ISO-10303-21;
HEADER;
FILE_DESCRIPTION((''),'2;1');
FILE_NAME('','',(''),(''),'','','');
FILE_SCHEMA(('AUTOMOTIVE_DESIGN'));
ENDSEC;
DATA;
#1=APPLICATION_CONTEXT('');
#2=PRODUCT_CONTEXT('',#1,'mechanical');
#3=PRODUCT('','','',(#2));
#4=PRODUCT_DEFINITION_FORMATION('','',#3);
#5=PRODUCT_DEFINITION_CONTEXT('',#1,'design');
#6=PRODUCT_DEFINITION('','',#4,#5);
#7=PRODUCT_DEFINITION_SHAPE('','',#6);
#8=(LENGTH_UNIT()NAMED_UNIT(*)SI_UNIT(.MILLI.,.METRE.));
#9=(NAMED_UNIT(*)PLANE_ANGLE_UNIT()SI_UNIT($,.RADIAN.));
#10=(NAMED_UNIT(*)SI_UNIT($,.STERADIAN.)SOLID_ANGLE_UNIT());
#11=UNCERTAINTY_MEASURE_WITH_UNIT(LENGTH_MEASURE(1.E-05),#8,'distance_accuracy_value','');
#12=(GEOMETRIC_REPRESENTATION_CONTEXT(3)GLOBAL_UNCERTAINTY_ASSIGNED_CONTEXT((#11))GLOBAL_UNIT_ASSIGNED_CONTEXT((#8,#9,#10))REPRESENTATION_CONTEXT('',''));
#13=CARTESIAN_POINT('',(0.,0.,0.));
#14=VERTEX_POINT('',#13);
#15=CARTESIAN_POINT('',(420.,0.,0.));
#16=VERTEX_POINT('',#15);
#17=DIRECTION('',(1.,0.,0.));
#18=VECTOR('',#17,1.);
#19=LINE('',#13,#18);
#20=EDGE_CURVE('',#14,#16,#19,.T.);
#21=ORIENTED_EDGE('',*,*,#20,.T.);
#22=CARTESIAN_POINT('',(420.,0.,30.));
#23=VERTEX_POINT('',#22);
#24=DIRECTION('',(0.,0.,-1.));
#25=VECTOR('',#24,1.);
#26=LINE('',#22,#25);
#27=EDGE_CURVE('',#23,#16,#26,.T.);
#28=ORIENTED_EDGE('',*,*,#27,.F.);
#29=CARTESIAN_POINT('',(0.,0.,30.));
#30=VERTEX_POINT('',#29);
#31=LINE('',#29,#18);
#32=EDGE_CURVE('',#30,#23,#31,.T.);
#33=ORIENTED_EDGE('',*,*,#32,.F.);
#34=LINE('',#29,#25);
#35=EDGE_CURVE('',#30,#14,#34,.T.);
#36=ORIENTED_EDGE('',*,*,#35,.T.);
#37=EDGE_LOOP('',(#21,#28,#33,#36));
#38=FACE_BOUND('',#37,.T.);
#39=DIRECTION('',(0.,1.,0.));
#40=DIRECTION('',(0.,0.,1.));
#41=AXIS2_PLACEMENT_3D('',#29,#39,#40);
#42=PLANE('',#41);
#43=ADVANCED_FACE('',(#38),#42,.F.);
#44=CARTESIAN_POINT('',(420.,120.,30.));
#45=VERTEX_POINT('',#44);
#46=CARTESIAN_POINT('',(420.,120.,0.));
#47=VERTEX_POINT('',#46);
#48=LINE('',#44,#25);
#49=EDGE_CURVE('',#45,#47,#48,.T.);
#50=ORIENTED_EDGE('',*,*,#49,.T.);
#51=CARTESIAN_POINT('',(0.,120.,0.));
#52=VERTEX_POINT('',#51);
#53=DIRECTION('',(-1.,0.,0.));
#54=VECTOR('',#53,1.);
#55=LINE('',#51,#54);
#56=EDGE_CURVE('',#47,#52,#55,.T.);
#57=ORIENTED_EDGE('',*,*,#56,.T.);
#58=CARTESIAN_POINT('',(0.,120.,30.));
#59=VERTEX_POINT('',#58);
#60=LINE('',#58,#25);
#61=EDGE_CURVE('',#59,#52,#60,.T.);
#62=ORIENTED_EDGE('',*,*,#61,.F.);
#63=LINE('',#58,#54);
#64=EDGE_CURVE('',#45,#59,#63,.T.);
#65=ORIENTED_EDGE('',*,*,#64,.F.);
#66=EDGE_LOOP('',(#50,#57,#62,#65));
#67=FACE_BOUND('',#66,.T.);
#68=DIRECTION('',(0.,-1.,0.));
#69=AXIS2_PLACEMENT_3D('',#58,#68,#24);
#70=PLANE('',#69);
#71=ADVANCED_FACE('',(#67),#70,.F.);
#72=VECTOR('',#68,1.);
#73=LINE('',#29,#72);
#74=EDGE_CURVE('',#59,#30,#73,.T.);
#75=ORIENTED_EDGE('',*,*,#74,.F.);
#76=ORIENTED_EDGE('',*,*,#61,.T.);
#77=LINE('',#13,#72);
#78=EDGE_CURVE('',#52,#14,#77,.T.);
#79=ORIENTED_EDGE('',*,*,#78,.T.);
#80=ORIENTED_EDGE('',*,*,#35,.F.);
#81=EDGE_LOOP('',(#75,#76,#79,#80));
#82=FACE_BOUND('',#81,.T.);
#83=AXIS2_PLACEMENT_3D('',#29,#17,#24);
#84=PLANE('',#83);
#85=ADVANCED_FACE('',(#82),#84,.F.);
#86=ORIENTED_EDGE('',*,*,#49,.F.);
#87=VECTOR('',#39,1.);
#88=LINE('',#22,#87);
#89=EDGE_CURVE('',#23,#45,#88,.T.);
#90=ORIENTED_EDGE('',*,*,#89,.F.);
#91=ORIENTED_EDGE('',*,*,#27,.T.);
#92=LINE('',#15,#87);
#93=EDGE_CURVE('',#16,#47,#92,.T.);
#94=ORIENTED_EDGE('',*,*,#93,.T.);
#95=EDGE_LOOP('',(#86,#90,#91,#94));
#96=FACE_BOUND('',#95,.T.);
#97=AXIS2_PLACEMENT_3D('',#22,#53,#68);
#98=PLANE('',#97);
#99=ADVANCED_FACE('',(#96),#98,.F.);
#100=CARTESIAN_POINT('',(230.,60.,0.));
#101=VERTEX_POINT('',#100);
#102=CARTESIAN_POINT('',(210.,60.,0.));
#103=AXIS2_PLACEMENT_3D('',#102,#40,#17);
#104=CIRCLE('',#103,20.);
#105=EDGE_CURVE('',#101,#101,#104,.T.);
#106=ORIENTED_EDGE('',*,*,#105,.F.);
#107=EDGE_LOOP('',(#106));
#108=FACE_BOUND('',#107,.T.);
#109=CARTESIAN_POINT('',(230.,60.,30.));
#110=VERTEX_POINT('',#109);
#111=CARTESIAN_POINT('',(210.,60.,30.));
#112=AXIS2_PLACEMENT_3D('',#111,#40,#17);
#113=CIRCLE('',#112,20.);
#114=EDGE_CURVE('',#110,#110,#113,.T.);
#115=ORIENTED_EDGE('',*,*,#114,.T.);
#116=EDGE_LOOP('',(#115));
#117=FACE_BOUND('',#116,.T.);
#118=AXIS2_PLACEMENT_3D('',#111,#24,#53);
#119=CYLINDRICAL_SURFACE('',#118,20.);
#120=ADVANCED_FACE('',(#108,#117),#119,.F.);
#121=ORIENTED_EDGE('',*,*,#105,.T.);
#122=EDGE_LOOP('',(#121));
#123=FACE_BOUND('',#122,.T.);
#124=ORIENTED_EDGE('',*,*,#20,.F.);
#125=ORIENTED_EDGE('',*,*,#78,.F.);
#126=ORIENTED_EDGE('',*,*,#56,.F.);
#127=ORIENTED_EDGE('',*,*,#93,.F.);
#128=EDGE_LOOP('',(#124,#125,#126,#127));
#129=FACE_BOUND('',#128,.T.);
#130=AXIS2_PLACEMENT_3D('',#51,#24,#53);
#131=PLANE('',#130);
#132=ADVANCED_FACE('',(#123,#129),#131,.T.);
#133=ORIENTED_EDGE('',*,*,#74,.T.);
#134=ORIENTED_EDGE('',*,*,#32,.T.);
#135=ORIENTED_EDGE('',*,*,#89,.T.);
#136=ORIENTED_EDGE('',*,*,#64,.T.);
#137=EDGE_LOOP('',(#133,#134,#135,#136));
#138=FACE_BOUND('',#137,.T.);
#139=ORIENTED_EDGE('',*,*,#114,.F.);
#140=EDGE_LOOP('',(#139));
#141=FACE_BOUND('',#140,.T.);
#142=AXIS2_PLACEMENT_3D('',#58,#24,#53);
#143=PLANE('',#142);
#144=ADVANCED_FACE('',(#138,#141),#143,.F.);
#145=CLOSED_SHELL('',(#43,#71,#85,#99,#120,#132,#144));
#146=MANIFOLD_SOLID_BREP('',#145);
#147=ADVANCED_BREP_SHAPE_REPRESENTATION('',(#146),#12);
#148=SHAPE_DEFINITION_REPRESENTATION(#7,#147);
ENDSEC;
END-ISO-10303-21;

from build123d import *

# Parameters (mm, degrees)
SKETCH1_W      = 420
SKETCH1_H      = 120
SKETCH1_R      = 20
EXTRUDE1_DEPTH = 30


with BuildPart() as part:
    # Sketch1 → Extrude1 (new body)
    with BuildSketch(Plane.XY):
        with Locations((210, 60)):
            Rectangle(SKETCH1_W, SKETCH1_H)
        with Locations((210, 60)):
            Circle(SKETCH1_R, mode=Mode.SUBTRACT)
    extrude(amount=EXTRUDE1_DEPTH)


solid = part.part
